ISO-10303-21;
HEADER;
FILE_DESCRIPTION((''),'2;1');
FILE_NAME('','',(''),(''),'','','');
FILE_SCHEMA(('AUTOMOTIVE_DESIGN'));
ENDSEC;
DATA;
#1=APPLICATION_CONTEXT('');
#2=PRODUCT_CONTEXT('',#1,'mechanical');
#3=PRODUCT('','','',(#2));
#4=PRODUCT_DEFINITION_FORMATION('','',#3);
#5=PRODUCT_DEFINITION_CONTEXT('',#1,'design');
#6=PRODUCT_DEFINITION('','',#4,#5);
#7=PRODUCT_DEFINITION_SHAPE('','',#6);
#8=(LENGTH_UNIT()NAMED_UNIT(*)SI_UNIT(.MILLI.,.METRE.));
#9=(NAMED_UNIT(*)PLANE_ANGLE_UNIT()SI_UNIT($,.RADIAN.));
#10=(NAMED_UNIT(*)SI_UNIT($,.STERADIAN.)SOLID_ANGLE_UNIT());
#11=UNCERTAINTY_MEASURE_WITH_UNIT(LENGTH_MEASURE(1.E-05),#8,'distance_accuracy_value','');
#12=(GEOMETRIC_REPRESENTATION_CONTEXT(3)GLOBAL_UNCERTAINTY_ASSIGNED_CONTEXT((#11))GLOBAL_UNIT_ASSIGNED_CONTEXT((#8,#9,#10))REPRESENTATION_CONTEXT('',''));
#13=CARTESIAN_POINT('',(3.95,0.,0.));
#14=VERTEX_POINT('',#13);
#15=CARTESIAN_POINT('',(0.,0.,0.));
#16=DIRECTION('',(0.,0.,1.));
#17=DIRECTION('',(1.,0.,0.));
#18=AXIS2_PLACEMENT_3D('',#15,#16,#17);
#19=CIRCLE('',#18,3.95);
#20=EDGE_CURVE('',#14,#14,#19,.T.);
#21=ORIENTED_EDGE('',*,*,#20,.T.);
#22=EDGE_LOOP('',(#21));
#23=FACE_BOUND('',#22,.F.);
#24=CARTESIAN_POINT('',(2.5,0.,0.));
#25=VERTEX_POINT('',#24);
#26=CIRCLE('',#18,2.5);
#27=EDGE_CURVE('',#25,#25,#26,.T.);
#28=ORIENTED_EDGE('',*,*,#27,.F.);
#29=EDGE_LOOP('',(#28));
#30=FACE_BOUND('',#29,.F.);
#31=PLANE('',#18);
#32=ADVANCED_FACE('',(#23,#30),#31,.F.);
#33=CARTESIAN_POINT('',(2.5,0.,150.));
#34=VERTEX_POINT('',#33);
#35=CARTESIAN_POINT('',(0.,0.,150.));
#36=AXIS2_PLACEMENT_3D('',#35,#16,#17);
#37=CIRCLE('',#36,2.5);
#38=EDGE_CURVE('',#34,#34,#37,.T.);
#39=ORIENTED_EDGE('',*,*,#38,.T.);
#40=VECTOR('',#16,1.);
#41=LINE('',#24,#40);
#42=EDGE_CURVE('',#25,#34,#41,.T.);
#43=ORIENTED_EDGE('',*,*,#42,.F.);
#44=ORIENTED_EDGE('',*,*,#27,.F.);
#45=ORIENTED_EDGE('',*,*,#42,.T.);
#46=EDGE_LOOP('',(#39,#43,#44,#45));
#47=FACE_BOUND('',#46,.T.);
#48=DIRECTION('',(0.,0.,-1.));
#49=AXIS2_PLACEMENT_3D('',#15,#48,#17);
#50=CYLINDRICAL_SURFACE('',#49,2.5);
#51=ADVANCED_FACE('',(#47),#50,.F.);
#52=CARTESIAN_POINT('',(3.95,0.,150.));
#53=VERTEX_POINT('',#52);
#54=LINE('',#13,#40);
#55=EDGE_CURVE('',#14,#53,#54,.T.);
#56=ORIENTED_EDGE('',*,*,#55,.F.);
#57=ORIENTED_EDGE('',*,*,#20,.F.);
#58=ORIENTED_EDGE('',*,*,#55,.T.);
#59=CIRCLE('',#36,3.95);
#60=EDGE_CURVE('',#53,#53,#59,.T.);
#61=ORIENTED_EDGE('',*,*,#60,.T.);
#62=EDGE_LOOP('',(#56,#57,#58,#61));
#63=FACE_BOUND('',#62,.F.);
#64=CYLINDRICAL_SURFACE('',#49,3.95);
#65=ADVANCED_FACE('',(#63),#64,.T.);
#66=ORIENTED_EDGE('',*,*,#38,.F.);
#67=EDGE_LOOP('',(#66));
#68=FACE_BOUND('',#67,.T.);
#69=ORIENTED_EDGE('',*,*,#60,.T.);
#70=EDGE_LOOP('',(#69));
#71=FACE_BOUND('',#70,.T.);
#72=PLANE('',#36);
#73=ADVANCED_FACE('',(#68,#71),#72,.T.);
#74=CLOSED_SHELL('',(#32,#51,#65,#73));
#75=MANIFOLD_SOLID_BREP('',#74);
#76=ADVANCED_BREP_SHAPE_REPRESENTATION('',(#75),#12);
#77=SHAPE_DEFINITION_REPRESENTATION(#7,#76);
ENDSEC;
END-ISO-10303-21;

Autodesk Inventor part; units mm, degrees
ref_plane "YZ Plane" through (0, 0, 0) normal (1, 0, 0) x (0, 1, 0)
ref_plane "XZ Plane" through (0, 0, 0) normal (0, 1, 0) x (-1, 0, 0)
ref_plane "XY Plane" through (0, 0, 0) normal (0, 0, 1) x (1, 0, 0)
sketch "Sketch1" plane through (0, 0, 0) normal (0, 0, 1) x (1, 0, 0)
  circle A0 centre (0, 0) radius 3.95
  circle A1 centre (0, 0) radius 2.5
  dimension "d0" = 7.9
  dimension "d1" = 5
extrude "Extrusion1" add sketch "Sketch1" along normal blind 150
properties part number "Alumina Rod"
